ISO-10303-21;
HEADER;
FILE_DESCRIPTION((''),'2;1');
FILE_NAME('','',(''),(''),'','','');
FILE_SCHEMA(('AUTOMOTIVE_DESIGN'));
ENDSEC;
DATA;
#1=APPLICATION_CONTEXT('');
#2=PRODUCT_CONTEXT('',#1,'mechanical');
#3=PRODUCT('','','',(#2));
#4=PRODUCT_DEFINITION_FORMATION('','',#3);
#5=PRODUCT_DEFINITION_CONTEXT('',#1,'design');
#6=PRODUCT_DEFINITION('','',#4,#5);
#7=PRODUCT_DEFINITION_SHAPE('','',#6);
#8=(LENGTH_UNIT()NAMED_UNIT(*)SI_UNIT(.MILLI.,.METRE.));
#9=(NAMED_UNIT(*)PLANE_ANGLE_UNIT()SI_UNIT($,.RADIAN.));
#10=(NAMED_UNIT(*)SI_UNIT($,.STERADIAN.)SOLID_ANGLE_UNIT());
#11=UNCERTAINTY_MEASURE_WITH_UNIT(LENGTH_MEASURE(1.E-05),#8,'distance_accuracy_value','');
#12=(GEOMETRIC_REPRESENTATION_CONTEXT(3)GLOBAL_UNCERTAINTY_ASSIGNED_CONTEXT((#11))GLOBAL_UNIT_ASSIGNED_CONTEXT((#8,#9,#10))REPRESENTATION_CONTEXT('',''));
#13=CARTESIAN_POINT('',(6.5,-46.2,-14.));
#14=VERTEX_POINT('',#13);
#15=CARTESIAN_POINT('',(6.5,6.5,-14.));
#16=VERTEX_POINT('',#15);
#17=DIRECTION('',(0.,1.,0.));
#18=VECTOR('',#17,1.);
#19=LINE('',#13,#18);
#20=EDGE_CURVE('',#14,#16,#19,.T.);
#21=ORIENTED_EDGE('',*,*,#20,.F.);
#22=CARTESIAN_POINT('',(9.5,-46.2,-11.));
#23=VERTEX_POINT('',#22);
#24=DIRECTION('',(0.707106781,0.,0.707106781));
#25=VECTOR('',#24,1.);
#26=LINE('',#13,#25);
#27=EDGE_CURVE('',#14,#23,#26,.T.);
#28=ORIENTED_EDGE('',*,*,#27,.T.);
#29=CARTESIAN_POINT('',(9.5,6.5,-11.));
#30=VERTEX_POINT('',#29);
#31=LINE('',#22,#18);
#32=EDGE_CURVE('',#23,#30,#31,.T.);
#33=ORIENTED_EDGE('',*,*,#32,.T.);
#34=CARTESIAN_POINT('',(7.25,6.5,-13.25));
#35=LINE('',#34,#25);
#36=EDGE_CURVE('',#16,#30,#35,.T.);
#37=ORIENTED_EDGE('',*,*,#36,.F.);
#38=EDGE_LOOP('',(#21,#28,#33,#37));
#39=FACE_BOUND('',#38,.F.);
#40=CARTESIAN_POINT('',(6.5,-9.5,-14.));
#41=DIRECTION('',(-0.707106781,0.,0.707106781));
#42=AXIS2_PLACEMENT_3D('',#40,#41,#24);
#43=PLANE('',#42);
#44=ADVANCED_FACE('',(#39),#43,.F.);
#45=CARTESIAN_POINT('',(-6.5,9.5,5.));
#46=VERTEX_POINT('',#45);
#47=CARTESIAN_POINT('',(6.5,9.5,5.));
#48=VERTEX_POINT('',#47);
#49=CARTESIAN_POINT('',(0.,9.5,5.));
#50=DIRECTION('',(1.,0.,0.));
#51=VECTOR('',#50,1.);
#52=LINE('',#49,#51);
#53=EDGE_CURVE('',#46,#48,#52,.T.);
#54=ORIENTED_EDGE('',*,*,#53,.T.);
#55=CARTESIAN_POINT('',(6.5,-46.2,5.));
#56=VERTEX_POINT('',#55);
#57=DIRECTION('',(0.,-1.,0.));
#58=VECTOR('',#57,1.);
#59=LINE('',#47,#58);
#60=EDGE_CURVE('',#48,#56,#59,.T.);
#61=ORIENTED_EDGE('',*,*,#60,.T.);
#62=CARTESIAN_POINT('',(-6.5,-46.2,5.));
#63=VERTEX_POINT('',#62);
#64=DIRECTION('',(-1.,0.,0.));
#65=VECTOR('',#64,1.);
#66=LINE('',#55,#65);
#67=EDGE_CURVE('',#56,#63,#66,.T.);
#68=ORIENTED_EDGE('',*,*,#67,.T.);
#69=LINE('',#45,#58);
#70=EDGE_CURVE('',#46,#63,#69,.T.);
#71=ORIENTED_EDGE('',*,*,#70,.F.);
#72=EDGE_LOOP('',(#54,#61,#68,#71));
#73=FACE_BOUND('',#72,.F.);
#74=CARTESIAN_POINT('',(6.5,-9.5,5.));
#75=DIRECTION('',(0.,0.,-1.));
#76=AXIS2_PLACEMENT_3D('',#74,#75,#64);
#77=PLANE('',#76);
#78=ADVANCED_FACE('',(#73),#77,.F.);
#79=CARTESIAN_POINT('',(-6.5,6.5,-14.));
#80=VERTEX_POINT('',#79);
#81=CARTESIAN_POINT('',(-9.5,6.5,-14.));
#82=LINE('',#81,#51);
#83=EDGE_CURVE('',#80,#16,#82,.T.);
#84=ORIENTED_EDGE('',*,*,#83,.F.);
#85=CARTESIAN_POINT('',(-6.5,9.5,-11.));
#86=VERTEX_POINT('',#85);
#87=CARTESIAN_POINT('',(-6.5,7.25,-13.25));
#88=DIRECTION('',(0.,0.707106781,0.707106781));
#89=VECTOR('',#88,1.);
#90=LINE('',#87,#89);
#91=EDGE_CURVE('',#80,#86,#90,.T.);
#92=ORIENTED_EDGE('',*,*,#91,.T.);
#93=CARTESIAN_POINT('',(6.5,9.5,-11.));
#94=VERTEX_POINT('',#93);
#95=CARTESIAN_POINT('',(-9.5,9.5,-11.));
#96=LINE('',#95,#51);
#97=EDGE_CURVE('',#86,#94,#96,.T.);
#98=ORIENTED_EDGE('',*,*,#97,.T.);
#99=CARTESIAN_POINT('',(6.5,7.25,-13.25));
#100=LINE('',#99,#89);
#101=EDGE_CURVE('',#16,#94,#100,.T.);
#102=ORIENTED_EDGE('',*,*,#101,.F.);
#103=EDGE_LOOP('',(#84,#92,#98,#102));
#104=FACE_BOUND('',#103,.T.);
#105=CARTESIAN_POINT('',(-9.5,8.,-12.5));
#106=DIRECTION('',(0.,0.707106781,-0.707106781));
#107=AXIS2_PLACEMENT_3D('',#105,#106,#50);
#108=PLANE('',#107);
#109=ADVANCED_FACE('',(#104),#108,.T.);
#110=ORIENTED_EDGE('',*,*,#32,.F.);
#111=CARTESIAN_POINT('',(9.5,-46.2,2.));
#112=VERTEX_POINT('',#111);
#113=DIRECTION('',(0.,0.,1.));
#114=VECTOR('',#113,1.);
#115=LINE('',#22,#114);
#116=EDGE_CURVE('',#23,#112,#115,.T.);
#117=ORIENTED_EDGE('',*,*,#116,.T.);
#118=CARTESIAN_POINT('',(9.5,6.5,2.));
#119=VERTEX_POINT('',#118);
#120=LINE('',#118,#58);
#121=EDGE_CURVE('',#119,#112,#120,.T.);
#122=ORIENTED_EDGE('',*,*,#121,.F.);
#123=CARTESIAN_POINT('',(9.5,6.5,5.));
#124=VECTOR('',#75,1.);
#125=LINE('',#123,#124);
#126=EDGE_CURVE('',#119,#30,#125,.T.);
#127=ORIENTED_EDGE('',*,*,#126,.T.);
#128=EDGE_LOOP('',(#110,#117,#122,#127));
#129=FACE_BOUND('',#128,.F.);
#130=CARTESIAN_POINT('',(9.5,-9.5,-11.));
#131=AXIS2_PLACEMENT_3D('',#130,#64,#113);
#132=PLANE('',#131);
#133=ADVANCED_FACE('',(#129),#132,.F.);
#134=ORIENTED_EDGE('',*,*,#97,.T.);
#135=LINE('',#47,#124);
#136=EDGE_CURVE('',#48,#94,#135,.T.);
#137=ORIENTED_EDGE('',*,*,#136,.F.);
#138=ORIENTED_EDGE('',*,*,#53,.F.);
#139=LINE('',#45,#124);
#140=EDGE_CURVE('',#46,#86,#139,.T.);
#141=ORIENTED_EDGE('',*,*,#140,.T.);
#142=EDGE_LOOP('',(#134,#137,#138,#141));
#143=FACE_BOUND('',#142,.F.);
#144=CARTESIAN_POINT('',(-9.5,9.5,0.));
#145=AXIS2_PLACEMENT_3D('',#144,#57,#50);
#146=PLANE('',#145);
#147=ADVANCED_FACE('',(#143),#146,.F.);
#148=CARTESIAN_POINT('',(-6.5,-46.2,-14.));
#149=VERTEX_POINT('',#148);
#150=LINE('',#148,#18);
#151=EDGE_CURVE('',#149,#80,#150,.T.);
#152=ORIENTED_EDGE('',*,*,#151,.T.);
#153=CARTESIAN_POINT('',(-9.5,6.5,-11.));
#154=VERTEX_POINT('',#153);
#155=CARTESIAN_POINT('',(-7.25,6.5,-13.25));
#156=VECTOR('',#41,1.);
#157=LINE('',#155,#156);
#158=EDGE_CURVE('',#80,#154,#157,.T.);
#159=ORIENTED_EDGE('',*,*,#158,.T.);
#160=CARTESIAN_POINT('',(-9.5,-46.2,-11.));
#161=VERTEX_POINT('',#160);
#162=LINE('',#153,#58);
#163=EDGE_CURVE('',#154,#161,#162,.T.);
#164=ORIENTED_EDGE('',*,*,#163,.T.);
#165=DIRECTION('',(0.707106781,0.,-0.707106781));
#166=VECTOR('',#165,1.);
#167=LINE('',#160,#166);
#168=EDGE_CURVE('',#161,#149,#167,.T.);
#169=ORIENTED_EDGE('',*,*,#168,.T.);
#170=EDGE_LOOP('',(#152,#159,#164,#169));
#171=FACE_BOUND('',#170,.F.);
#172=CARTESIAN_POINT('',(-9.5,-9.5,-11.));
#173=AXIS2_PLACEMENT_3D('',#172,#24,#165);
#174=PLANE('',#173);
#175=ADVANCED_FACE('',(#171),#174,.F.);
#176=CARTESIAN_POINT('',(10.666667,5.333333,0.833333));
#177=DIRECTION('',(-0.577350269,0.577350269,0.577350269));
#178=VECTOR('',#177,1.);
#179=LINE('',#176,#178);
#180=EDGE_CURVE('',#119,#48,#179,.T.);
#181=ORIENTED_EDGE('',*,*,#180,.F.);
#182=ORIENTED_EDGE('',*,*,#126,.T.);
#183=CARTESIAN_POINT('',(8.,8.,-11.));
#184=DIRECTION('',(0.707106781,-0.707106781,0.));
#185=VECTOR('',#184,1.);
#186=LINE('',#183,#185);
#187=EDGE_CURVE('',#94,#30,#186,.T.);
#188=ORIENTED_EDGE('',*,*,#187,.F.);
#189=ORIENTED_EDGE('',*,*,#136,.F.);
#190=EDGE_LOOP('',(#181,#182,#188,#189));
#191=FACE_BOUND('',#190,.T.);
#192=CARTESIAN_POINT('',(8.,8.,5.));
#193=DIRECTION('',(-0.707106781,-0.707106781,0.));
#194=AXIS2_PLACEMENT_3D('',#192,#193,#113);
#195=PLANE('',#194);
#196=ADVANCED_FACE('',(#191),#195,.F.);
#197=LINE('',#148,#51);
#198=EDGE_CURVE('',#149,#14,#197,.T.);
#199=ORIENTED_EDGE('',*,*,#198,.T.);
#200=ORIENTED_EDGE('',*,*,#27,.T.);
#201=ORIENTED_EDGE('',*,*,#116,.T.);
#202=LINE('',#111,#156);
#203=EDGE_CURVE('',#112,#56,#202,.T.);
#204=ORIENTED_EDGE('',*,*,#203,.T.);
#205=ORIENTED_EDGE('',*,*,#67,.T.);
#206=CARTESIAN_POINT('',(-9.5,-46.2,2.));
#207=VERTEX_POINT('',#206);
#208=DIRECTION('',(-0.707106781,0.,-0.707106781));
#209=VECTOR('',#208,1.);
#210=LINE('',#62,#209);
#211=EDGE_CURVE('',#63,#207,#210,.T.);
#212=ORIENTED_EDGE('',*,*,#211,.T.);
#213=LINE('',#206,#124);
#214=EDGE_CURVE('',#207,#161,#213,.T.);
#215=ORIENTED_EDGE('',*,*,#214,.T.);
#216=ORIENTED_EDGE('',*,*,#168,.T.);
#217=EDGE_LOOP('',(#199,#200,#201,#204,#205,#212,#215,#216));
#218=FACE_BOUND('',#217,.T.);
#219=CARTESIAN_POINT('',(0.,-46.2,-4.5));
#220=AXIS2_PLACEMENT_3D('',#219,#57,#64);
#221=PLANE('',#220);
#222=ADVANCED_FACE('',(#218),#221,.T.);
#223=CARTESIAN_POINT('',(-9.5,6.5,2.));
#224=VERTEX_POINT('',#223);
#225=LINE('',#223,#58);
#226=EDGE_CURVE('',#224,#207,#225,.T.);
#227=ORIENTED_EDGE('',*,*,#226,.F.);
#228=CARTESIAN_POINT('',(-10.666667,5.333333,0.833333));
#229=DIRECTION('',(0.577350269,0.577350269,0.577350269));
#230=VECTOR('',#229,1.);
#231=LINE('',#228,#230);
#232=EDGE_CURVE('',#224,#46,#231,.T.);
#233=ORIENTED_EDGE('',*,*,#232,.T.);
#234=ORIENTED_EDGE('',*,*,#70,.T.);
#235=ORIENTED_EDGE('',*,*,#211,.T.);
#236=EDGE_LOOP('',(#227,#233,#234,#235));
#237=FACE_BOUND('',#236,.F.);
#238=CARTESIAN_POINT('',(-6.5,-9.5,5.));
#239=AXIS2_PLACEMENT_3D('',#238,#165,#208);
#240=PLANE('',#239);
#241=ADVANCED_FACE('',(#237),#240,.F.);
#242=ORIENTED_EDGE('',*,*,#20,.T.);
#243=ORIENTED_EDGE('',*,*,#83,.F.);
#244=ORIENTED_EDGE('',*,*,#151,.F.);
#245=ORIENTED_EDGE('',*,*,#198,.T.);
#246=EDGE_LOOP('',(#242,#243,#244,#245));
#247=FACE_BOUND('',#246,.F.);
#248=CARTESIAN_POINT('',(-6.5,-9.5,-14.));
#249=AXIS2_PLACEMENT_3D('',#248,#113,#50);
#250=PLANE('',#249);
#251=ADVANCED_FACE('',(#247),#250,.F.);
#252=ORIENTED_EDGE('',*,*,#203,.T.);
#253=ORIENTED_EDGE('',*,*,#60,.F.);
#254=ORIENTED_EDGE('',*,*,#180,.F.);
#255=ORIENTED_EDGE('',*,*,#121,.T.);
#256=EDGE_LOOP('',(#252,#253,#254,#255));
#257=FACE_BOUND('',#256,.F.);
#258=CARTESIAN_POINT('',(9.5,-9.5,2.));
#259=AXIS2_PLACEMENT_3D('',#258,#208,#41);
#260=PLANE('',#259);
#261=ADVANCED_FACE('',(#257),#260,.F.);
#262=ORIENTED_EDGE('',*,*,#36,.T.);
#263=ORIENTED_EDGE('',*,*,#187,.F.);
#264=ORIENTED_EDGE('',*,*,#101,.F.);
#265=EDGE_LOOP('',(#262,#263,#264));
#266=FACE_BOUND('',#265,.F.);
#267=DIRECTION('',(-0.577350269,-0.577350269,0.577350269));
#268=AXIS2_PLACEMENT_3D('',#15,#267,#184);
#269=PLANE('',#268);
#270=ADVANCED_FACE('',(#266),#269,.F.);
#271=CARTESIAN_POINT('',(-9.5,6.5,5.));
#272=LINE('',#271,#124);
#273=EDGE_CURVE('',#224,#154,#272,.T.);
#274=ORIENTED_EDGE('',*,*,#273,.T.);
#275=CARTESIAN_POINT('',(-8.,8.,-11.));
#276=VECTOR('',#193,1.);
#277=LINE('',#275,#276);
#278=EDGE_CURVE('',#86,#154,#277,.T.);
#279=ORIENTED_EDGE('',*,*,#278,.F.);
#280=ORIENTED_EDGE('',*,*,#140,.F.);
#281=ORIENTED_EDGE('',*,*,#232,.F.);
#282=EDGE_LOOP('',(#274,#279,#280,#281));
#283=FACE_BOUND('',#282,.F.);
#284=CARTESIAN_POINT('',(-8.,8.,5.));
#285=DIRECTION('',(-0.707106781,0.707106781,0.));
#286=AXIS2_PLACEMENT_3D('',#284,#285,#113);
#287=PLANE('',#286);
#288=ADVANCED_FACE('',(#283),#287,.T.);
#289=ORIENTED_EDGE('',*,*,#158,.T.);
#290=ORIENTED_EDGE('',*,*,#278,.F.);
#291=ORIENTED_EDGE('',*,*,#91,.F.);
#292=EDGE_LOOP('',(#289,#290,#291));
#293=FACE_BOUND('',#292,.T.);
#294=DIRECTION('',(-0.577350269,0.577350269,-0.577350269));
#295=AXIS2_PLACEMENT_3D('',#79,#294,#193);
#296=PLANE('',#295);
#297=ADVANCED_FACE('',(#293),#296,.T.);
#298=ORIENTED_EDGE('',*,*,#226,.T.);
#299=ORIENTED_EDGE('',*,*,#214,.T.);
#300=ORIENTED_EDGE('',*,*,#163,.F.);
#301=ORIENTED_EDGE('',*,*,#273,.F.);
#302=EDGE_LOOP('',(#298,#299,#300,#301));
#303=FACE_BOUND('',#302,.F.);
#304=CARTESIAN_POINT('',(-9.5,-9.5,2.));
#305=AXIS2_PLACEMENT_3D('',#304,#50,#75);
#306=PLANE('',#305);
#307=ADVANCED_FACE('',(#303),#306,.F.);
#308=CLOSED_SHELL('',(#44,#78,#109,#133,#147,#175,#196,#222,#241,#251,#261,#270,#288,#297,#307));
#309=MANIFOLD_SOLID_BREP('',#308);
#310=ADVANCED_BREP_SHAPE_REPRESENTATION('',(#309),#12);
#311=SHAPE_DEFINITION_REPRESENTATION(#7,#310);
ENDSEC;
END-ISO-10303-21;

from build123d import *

# Parameters (mm, degrees)
SKETCH006_W       = 19
SKETCH006_H       = 19
PAD004_DEPTH      = 5
PAD004_DEPTH_BACK = 14
CHAMFER001_SIZE   = 3
PAD005_DEPTH      = 36.7


with BuildPart() as part:
    # Sketch006 → Pad004 (new body, two sides)
    with BuildSketch(Plane.XY) as pad004_sk:
        Rectangle(SKETCH006_W, SKETCH006_H)
    extrude(amount=PAD004_DEPTH)
    extrude(pad004_sk.sketch, amount=-PAD004_DEPTH_BACK)

    # Chamfer001
    chamfer001_edges = [part.edges().sort_by_distance(p)[0] for p in [
        (9.5, 9.5, -4.5),
        (-9.5, 9.5, -4.5),
        (0, 9.5, -14),
        (-9.5, 0, -14),
        (9.5, 0, -14),
        (-9.5, 0, 5),
        (9.5, 0, 5),
    ]]
    chamfer(chamfer001_edges, length=CHAMFER001_SIZE)

    # Chamfer001 Face8 → Pad005 (add)
    with BuildSketch(Plane(origin=(0, -9.5, -4.5), x_dir=(-1, 0, 0), z_dir=(0, -1, 0))):
        Polygon((-9.5, 6.5), (-9.5, -6.5), (-6.5, -9.5), (6.5, -9.5), (9.5, -6.5), (9.5, 6.5), (6.5, 9.5), (-6.5, 9.5), align=None)
    extrude(amount=PAD005_DEPTH)


solid = part.part
